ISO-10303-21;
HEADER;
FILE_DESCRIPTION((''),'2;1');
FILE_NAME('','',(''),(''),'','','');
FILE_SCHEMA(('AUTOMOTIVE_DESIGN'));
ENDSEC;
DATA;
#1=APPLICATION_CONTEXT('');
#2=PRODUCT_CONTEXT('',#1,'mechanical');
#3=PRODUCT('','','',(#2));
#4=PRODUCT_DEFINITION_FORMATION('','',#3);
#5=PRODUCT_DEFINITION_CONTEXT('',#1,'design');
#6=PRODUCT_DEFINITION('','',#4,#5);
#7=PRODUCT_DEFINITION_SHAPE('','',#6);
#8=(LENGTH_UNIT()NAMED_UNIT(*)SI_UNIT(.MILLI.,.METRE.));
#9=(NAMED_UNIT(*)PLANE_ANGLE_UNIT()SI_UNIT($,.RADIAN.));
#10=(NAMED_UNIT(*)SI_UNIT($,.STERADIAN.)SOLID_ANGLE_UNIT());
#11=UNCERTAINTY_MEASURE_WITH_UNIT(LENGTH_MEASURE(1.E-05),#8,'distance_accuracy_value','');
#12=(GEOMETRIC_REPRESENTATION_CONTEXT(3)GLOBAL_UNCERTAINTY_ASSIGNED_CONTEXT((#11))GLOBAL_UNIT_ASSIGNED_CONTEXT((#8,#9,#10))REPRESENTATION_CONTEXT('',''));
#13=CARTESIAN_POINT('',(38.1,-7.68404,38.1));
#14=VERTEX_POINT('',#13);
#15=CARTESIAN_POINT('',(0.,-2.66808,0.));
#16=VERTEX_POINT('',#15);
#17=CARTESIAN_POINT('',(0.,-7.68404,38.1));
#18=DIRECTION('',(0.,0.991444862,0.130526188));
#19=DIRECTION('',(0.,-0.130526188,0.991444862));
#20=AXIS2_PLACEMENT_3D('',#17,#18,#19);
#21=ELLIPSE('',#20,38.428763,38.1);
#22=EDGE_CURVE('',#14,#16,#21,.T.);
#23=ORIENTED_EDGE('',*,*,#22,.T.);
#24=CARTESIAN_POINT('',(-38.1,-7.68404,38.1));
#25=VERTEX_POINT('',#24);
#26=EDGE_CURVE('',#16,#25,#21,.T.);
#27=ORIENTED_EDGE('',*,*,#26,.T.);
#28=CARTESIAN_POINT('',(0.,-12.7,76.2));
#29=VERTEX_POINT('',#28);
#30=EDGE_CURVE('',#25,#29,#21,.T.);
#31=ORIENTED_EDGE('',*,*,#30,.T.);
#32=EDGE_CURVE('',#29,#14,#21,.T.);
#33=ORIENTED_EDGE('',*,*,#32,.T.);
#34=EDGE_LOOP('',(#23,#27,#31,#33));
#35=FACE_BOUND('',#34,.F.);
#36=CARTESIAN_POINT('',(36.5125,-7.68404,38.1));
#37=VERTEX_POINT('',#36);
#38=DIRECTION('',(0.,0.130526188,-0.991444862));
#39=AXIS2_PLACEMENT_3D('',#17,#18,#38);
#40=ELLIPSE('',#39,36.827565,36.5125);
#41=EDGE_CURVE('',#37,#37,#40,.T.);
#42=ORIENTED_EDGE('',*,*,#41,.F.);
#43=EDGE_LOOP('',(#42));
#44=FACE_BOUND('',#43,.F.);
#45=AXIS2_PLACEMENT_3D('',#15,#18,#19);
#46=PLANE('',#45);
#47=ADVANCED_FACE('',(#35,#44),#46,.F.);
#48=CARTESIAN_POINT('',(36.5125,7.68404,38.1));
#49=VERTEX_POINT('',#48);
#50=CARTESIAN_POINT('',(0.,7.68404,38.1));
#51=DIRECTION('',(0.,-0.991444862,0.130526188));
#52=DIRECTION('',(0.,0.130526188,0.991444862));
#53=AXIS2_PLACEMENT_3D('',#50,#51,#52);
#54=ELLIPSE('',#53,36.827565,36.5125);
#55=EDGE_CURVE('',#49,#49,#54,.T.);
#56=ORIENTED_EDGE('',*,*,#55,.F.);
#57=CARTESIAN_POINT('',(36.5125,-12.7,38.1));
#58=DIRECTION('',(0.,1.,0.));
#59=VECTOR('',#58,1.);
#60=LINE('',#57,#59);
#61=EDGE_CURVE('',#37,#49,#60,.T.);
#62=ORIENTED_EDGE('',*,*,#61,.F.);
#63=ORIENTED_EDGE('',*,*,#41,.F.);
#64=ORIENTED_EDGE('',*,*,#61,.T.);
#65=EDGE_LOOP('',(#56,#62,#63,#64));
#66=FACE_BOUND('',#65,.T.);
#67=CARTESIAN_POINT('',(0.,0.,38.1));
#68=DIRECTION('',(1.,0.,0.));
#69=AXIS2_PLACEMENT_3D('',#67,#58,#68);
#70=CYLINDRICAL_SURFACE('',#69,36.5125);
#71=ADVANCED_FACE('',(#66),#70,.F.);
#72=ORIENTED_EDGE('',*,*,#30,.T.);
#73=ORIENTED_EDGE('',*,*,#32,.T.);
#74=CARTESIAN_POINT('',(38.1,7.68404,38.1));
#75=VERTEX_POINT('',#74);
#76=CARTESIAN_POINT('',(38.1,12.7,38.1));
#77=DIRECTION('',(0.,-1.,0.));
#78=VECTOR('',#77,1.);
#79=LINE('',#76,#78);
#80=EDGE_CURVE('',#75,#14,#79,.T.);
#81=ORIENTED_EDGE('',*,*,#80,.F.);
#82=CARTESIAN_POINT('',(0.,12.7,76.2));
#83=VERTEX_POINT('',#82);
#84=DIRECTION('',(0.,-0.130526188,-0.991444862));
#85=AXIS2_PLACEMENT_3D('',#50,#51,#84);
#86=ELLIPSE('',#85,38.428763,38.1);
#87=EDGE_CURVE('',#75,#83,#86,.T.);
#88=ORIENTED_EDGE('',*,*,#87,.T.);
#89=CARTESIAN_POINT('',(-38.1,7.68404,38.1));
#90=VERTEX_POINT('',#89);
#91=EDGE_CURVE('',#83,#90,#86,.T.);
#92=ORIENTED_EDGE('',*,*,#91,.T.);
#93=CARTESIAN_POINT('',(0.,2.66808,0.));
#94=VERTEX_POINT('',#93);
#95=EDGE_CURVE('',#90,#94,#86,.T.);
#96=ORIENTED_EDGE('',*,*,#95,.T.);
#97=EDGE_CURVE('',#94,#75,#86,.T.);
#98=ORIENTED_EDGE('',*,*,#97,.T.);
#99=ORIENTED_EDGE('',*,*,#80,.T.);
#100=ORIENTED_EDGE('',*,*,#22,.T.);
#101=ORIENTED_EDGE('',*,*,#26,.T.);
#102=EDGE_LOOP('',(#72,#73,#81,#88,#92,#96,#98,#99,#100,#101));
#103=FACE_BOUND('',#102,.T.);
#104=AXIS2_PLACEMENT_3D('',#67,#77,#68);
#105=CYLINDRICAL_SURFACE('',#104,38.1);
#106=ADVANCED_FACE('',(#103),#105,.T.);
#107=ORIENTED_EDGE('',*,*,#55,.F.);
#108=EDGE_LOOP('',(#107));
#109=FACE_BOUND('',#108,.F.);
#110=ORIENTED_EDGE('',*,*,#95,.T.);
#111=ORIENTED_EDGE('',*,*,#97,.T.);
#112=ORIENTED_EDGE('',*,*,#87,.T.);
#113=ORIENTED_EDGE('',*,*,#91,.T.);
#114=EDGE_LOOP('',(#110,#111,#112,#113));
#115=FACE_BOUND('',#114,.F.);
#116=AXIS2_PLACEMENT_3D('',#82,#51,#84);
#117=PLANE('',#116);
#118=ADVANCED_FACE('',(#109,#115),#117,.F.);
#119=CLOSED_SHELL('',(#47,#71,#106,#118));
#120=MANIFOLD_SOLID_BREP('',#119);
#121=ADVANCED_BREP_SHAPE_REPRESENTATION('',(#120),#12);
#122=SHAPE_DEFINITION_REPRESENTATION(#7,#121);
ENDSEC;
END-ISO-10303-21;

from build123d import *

# Parameters (mm, degrees)
F0_R     = 38.1
F0_R_2   = 36.5125
F1_DEPTH = 12.7
F3_DEPTH = 38.1


with BuildPart() as f1:
    # F0 (on Front) → F1 (new body, symmetric)
    with BuildSketch(Plane.XZ):
        with Locations((0, 38.1)):
            Circle(F0_R)
        with Locations((0, 38.1)):
            Circle(F0_R_2, mode=Mode.SUBTRACT)
    extrude(amount=F1_DEPTH, both=True)

    # F2 (on Right) → F3 (cut, symmetric)
    with BuildSketch(Plane.YZ):
        Polygon((2.66808, 0), (-2.66808, 0), (-12.7, 76.2), (-12.7, -10.621837), (12.7, -10.621837), (12.7, 76.2), align=None)
    extrude(amount=F3_DEPTH, both=True, mode=Mode.SUBTRACT)


solid = f1.part
